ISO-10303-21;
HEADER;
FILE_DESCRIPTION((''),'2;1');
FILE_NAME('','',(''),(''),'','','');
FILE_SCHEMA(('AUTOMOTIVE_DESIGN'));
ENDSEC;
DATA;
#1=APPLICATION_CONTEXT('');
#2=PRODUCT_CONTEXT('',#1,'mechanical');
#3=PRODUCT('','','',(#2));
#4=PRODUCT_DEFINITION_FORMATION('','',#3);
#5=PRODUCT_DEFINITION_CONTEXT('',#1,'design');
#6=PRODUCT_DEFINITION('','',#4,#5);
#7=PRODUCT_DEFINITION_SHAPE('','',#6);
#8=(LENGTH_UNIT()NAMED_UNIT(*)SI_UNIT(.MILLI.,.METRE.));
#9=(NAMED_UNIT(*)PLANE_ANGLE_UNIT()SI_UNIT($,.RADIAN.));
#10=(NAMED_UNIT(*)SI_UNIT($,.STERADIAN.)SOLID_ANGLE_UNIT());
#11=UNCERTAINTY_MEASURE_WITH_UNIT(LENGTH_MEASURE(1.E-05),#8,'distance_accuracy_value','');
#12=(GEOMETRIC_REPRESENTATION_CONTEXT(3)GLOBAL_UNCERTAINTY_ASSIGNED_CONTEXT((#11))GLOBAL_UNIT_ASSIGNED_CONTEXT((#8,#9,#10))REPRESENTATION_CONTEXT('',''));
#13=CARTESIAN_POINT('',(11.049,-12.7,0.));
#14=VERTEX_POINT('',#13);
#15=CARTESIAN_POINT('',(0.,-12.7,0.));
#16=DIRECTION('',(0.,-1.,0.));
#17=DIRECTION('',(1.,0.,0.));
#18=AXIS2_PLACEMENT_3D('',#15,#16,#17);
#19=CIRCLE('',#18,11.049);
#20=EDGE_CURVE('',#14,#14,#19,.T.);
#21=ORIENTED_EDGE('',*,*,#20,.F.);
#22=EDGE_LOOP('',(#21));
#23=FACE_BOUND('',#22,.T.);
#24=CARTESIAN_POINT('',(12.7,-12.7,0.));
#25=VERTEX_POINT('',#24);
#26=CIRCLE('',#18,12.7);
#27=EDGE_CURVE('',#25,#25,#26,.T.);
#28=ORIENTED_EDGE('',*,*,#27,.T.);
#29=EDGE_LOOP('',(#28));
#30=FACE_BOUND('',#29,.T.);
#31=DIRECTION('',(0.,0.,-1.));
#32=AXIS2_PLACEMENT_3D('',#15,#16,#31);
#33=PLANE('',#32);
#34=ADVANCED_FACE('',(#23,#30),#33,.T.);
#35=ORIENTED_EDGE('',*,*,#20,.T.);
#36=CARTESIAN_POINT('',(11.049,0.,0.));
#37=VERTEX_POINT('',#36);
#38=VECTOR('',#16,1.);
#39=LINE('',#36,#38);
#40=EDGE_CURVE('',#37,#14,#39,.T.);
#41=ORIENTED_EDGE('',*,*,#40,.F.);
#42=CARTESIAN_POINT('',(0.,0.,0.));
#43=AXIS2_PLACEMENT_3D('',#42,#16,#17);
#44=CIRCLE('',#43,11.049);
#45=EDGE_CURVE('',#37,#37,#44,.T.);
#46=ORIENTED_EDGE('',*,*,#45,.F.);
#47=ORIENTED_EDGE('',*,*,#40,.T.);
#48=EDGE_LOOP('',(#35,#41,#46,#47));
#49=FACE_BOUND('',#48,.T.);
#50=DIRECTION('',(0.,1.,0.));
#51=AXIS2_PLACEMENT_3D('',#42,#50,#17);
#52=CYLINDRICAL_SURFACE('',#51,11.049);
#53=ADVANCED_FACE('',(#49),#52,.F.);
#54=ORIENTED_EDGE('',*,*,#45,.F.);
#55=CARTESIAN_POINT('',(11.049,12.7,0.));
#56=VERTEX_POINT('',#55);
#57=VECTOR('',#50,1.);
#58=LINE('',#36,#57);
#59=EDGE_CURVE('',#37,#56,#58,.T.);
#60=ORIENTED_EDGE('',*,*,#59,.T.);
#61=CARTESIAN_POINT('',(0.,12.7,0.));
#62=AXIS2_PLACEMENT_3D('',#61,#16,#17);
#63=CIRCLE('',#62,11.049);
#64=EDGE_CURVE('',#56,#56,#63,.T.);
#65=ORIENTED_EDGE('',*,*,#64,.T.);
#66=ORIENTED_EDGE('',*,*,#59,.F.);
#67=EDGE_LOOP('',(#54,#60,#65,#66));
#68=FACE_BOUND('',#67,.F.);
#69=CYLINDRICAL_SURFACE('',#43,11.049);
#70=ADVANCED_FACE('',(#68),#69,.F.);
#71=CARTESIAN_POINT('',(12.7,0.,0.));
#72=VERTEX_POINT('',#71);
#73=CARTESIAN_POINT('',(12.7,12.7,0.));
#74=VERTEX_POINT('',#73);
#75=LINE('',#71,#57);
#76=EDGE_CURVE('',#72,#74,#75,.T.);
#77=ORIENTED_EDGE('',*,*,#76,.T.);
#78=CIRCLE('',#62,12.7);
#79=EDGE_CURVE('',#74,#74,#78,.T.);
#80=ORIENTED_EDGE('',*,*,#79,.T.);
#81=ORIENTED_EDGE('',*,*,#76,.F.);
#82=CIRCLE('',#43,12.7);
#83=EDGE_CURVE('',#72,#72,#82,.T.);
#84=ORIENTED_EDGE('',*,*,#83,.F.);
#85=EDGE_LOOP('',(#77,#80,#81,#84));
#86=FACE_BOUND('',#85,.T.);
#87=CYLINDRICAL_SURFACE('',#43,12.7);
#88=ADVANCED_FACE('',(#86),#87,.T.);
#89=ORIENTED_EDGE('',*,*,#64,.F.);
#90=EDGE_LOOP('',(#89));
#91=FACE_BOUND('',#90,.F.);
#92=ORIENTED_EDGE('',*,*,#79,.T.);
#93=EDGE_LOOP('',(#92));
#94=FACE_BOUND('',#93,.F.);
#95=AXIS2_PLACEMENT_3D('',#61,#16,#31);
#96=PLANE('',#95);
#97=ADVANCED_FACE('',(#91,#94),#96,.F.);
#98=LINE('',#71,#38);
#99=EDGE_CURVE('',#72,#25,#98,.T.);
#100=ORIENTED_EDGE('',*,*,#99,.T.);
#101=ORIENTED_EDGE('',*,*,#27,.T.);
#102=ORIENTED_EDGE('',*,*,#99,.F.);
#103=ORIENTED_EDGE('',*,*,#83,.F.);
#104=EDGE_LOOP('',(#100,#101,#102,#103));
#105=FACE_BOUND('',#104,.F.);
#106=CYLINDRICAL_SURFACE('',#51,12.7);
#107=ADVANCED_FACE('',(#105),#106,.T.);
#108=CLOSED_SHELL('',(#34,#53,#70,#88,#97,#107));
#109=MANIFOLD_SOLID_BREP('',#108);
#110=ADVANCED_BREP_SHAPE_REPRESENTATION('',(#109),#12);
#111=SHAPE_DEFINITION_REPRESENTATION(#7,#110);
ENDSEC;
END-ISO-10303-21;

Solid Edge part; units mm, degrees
sketch "Sketch1" plane through (0, 0, 0) normal (0, -1, 0) x (1, 0, 0)
  circle A0 centre (0, 0) radius 12.7
  circle A1 centre (0, 0) radius 11.049
  dimension "D1" = 1.651
extrude "Protrusion1" add sketch "Sketch1" along normal mid plane 25.4
properties material "Steel"
